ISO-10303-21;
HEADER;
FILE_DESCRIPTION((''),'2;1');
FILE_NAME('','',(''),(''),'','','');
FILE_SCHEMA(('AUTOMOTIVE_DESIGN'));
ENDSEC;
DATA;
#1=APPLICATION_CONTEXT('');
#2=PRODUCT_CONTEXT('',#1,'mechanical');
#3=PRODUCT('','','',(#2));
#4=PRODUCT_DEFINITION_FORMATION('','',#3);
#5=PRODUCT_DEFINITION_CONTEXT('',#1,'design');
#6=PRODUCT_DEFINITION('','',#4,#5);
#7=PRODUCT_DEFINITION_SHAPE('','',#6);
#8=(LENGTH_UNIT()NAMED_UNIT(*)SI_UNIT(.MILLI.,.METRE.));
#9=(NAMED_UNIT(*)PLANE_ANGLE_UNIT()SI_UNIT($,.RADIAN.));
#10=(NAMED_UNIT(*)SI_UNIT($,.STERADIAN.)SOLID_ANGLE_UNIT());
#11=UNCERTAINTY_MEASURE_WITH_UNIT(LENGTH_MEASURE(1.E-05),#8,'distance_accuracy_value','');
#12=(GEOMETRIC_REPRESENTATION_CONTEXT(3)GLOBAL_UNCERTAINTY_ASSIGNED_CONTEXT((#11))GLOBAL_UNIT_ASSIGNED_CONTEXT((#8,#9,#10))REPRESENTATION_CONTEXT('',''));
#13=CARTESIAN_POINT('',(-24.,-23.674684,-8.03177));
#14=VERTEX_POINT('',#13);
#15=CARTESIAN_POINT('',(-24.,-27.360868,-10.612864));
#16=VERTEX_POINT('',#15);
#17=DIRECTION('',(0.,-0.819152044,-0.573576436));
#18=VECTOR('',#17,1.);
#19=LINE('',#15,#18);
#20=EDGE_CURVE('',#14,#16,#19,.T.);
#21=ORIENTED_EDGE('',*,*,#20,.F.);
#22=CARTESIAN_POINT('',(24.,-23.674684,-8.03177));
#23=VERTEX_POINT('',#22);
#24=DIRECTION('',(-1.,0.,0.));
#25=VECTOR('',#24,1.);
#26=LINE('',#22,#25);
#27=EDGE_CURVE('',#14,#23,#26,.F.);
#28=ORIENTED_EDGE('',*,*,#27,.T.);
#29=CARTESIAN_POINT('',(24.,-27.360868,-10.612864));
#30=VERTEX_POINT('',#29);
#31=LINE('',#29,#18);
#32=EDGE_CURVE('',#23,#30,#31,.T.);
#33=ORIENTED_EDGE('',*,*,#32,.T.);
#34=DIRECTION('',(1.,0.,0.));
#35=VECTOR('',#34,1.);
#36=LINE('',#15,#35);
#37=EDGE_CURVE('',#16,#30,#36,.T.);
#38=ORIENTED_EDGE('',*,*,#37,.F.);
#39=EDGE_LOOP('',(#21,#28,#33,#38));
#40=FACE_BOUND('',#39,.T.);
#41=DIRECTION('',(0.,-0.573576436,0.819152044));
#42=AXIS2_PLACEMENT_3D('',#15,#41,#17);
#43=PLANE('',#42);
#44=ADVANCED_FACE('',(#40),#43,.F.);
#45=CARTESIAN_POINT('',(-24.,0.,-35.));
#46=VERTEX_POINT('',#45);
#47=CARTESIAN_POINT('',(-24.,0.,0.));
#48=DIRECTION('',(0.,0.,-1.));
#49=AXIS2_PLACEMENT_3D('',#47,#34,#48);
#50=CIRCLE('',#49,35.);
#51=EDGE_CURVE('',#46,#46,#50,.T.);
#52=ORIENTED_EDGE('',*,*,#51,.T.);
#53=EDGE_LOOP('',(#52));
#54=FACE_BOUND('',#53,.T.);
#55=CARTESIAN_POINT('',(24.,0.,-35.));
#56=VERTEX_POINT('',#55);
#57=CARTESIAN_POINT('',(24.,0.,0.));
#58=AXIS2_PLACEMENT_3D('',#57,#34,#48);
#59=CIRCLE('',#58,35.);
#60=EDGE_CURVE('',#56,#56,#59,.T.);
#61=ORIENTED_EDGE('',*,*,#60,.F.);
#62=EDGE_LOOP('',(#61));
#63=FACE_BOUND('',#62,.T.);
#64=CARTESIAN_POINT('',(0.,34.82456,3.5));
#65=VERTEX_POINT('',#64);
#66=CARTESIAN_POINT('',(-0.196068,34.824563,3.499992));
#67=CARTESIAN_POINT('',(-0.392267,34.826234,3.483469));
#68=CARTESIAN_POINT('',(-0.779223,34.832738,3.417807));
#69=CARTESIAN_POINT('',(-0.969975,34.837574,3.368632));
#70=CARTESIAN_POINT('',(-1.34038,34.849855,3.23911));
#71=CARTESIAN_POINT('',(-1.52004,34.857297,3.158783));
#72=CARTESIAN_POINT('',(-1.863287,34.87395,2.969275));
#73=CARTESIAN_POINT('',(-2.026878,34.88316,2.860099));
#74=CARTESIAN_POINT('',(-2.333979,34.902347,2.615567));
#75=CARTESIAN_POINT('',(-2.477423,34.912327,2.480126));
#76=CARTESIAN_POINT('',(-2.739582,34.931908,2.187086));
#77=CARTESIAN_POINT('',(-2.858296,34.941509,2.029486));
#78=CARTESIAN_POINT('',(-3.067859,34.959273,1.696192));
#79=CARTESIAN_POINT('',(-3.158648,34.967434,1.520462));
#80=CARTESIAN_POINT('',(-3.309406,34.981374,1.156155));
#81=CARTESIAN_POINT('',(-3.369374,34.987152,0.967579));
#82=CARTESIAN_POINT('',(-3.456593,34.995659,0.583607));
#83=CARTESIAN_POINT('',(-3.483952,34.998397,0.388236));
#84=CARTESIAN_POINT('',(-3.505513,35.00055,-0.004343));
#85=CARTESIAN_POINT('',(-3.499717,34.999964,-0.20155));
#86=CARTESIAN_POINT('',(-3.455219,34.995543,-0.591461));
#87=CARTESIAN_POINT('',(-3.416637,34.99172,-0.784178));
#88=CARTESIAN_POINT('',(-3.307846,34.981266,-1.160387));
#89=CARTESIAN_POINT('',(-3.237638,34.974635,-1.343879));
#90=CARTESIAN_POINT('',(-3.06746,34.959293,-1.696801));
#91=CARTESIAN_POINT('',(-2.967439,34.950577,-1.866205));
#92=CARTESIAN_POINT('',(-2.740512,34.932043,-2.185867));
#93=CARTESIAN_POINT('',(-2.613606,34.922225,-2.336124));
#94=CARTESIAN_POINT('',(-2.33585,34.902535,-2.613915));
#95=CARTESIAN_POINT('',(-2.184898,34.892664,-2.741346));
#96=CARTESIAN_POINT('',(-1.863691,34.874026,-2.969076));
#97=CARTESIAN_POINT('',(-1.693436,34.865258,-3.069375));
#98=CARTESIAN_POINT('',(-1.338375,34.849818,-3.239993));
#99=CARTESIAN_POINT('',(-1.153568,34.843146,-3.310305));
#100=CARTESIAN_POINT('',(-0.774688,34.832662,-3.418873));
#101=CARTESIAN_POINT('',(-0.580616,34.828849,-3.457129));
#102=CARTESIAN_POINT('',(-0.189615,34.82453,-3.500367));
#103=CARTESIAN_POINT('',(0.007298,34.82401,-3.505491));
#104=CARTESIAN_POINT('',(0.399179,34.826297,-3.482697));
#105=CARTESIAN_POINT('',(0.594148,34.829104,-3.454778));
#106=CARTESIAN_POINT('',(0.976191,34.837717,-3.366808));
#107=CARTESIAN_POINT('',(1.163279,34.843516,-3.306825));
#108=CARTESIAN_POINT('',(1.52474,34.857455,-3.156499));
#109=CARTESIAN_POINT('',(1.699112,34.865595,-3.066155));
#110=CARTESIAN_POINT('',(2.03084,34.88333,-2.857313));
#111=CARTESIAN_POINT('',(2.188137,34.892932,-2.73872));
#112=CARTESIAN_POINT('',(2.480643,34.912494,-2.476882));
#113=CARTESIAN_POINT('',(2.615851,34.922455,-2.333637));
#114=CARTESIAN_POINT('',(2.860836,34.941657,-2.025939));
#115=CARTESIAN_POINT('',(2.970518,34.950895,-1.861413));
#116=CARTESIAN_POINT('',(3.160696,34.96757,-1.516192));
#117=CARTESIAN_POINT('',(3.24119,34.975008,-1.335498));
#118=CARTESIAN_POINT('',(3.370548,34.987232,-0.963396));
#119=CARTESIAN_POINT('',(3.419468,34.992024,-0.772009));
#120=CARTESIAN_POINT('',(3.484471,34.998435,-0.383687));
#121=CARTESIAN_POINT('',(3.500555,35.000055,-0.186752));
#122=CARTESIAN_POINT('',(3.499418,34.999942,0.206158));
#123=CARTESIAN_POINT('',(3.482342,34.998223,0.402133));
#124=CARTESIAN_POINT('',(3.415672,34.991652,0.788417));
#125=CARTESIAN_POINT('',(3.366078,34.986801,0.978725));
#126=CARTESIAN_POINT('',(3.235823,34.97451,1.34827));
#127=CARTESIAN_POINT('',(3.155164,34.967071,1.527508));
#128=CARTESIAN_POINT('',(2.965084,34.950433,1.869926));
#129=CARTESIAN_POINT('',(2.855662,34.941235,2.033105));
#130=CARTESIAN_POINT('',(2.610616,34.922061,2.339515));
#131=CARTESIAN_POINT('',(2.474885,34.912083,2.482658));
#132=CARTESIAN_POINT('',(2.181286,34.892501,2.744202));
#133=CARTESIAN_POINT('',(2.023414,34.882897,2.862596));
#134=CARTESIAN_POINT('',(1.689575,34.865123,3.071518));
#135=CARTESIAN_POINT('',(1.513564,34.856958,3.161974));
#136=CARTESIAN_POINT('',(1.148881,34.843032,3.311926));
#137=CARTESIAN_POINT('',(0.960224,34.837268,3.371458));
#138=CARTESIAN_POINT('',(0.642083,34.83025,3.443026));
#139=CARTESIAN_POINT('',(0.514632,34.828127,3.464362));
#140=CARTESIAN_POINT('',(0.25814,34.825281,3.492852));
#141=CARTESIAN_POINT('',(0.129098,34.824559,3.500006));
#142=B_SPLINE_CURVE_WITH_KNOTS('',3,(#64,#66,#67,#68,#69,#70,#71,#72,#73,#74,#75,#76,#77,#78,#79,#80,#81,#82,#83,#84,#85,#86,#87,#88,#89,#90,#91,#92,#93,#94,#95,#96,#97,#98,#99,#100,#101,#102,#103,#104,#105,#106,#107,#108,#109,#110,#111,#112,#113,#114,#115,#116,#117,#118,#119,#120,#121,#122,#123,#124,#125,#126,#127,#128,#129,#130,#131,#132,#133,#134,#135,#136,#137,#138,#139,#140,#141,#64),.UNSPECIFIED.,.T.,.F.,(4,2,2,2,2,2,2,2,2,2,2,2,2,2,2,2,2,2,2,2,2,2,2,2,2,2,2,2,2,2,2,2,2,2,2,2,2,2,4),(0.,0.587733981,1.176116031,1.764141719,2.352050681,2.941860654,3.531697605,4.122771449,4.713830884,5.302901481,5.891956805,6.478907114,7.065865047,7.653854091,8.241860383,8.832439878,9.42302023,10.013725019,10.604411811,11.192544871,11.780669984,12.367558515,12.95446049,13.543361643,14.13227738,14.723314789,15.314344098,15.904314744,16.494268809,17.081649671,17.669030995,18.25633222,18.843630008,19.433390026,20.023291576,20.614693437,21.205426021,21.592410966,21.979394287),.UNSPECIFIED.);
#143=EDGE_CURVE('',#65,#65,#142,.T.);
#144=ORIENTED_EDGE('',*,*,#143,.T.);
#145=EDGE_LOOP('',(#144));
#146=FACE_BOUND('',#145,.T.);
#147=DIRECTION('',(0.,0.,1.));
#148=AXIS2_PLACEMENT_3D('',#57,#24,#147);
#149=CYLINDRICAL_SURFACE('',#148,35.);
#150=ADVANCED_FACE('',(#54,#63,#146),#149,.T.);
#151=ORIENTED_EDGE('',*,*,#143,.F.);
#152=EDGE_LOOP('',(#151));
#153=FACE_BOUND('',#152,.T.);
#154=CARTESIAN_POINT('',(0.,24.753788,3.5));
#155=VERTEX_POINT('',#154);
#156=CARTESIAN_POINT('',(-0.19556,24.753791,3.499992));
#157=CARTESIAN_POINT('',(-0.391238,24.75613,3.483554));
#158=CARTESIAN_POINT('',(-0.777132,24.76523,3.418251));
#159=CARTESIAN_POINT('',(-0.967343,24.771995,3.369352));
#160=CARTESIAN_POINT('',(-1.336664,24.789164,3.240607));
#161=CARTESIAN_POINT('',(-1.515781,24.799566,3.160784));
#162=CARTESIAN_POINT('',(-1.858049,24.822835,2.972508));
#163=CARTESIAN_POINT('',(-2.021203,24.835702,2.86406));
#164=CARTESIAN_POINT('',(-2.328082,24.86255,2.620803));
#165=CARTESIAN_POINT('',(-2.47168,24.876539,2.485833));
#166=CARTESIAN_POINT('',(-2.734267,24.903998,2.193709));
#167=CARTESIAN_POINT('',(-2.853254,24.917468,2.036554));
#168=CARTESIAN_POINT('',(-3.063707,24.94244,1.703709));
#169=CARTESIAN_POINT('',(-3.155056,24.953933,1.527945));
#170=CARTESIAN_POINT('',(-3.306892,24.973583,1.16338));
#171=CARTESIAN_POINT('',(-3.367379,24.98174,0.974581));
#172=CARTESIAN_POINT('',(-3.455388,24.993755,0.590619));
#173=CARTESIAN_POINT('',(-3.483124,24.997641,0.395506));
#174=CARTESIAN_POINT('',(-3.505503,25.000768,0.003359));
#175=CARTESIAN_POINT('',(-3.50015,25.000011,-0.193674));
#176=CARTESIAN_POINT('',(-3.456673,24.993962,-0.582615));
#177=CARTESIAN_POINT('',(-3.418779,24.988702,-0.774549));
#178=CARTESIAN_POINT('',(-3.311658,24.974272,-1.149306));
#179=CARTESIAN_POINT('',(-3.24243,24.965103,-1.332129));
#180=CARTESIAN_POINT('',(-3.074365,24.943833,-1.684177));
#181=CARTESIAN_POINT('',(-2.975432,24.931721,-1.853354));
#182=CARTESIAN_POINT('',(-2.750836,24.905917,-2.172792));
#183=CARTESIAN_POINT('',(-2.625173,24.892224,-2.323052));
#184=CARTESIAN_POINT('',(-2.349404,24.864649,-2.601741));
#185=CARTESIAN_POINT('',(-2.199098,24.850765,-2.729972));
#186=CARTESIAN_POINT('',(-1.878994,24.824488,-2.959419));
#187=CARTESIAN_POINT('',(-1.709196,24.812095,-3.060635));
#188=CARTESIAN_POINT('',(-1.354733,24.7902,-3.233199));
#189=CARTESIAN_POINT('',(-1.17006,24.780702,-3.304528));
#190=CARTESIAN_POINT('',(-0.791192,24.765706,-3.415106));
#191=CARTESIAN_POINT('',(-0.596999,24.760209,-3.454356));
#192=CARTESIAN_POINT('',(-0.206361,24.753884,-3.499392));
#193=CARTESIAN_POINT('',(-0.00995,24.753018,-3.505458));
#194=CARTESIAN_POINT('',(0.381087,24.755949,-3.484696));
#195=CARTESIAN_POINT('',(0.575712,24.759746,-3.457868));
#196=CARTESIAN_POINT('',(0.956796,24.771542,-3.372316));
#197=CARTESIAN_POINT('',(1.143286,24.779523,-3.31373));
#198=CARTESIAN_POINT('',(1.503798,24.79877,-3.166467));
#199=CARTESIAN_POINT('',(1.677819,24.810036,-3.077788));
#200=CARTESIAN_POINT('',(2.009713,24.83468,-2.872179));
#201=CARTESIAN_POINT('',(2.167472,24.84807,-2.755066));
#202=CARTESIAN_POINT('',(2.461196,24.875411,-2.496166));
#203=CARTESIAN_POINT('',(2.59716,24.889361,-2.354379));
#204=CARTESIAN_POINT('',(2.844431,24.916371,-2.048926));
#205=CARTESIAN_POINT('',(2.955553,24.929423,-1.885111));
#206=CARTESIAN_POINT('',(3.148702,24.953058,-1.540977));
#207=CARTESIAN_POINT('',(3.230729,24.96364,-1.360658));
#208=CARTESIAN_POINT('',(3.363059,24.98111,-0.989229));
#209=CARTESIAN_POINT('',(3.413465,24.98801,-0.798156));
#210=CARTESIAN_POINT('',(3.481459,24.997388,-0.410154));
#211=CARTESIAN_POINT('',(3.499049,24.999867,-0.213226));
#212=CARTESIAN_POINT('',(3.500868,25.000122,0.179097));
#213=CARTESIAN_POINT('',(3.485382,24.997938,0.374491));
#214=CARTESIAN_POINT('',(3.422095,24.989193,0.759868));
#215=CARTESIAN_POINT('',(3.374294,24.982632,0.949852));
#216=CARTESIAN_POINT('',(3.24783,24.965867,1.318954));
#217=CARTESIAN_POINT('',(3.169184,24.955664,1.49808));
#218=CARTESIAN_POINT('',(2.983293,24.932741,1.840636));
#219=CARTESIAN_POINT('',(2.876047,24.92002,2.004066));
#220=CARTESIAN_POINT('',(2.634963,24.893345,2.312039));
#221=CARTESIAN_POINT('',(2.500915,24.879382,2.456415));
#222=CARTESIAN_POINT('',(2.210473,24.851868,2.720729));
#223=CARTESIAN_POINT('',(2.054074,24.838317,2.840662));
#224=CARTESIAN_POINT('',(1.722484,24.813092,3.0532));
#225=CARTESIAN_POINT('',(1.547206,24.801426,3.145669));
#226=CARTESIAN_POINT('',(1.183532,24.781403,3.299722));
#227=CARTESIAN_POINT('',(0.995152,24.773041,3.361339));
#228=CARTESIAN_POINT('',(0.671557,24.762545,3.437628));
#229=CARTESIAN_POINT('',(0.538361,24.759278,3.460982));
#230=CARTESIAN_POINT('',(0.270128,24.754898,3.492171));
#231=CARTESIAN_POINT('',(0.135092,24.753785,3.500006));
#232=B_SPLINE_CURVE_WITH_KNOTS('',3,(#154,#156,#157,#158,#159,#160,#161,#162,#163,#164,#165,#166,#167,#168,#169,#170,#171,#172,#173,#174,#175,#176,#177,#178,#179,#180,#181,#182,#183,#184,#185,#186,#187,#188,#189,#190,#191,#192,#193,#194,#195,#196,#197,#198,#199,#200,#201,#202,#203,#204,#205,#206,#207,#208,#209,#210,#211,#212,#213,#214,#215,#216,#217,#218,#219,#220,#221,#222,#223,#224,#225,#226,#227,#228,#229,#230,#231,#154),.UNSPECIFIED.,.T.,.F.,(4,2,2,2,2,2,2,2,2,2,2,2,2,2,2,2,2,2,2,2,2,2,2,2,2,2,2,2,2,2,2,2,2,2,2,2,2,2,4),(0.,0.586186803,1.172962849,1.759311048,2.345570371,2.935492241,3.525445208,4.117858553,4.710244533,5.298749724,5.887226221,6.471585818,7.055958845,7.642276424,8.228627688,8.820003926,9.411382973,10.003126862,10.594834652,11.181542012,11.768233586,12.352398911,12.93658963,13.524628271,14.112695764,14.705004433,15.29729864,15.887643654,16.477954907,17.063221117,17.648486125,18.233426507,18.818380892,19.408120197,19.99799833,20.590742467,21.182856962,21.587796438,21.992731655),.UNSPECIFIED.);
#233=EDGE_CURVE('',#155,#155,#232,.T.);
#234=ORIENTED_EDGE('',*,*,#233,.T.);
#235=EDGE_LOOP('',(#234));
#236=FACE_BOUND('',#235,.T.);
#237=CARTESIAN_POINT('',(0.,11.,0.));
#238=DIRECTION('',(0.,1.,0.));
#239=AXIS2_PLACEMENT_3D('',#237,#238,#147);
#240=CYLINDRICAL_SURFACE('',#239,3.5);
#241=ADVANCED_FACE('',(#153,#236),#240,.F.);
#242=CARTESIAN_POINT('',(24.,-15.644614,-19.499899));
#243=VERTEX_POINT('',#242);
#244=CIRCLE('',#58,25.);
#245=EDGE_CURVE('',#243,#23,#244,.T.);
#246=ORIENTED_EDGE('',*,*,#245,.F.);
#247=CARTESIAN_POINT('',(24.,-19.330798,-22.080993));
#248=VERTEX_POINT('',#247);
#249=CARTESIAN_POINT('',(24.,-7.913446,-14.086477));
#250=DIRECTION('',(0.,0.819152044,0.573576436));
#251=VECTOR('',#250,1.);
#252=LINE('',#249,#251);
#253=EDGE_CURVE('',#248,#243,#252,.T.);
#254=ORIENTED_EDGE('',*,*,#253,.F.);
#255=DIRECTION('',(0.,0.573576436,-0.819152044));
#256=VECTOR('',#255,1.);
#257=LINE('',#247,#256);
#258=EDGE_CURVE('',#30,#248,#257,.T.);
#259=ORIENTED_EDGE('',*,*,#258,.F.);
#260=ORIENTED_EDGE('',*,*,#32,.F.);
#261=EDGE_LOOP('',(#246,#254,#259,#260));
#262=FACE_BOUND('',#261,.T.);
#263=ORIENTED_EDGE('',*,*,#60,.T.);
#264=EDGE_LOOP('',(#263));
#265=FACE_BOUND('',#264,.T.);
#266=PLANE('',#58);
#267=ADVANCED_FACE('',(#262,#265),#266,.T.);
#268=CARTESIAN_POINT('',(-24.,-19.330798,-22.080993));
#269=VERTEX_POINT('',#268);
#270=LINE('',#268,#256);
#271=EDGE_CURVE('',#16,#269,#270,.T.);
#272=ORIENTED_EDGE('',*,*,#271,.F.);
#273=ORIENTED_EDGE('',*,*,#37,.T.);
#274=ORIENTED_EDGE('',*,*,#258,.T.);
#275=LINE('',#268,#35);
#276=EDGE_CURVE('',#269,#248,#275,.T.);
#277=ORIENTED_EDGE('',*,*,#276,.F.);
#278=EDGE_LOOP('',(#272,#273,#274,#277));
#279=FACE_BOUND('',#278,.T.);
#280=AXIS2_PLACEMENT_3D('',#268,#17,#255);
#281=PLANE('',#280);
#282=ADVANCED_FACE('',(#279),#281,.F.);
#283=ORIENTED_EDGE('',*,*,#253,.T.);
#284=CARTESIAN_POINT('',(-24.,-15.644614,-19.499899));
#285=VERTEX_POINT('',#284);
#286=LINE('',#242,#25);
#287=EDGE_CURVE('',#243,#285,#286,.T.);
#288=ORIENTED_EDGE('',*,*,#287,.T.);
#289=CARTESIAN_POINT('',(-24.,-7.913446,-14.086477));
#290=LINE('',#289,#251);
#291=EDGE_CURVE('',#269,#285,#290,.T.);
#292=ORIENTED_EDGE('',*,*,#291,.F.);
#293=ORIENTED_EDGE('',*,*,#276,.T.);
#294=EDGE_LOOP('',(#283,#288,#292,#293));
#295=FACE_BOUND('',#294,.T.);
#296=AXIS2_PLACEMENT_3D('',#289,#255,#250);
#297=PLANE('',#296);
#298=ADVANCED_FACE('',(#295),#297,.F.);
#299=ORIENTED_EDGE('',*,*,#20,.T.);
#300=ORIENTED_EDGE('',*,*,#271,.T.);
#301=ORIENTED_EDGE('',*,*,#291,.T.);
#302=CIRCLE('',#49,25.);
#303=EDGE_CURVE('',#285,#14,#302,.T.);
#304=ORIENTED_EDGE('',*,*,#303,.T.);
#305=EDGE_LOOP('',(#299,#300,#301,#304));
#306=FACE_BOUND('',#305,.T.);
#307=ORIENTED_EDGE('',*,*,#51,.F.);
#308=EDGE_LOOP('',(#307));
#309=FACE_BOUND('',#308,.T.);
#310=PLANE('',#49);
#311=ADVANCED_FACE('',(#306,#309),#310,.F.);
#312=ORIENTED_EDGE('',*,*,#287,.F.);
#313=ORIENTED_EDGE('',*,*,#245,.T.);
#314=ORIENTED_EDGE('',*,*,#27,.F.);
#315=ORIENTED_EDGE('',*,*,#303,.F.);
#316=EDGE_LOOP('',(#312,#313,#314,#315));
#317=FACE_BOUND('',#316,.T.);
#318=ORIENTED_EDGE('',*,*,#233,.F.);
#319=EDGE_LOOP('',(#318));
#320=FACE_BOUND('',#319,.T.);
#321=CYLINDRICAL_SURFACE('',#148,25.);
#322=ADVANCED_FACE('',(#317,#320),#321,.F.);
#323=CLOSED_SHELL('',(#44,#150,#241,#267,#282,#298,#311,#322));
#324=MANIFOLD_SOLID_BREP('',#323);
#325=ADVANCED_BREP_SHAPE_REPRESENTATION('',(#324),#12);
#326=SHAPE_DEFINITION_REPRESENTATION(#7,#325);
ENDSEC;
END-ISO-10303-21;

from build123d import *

# Parameters (mm, degrees)
SKETCH1_R           = 35
SKETCH1_R_2         = 25
BOSS_EXTRUDE1_DEPTH = 24
CUT_EXTRUDE2_DEPTH  = 69.949256704
SKETCH6_R           = 3.5
CUT_EXTRUDE3_DEPTH  = 24


with BuildPart() as part:
    # Sketch1 → Boss-Extrude1 (new, symmetric)
    with BuildSketch(Plane(origin=(0, 0, 0), x_dir=(0, 0, -1), z_dir=(1, 0, 0))):
        Circle(SKETCH1_R)
        Circle(SKETCH1_R_2, mode=Mode.SUBTRACT)
    extrude(amount=BOSS_EXTRUDE1_DEPTH, both=True)

    # Sketch5 → Cut-Extrude2 (cut, through all)
    with BuildSketch(Plane(origin=(24, 0, 0), x_dir=(0, 0, -1), z_dir=(1, 0, 0))):
        Polygon((22.080992746, -19.330798208), (10.612864126, -27.360868317), (2.618348192, -15.943516321), (14.086476812, -7.913446212), align=None)
    extrude(amount=-CUT_EXTRUDE2_DEPTH, mode=Mode.SUBTRACT)

    # Sketch6 → Cut-Extrude3 (cut)
    with BuildSketch(Plane(origin=(0, 35, 0), x_dir=(-1, 0, 0), z_dir=(0, 1, 0))):
        with Locations(Location((0, 0, 0), (0, 0, 90))):
            Circle(SKETCH6_R)
    extrude(amount=-CUT_EXTRUDE3_DEPTH, mode=Mode.SUBTRACT)


solid = part.part
